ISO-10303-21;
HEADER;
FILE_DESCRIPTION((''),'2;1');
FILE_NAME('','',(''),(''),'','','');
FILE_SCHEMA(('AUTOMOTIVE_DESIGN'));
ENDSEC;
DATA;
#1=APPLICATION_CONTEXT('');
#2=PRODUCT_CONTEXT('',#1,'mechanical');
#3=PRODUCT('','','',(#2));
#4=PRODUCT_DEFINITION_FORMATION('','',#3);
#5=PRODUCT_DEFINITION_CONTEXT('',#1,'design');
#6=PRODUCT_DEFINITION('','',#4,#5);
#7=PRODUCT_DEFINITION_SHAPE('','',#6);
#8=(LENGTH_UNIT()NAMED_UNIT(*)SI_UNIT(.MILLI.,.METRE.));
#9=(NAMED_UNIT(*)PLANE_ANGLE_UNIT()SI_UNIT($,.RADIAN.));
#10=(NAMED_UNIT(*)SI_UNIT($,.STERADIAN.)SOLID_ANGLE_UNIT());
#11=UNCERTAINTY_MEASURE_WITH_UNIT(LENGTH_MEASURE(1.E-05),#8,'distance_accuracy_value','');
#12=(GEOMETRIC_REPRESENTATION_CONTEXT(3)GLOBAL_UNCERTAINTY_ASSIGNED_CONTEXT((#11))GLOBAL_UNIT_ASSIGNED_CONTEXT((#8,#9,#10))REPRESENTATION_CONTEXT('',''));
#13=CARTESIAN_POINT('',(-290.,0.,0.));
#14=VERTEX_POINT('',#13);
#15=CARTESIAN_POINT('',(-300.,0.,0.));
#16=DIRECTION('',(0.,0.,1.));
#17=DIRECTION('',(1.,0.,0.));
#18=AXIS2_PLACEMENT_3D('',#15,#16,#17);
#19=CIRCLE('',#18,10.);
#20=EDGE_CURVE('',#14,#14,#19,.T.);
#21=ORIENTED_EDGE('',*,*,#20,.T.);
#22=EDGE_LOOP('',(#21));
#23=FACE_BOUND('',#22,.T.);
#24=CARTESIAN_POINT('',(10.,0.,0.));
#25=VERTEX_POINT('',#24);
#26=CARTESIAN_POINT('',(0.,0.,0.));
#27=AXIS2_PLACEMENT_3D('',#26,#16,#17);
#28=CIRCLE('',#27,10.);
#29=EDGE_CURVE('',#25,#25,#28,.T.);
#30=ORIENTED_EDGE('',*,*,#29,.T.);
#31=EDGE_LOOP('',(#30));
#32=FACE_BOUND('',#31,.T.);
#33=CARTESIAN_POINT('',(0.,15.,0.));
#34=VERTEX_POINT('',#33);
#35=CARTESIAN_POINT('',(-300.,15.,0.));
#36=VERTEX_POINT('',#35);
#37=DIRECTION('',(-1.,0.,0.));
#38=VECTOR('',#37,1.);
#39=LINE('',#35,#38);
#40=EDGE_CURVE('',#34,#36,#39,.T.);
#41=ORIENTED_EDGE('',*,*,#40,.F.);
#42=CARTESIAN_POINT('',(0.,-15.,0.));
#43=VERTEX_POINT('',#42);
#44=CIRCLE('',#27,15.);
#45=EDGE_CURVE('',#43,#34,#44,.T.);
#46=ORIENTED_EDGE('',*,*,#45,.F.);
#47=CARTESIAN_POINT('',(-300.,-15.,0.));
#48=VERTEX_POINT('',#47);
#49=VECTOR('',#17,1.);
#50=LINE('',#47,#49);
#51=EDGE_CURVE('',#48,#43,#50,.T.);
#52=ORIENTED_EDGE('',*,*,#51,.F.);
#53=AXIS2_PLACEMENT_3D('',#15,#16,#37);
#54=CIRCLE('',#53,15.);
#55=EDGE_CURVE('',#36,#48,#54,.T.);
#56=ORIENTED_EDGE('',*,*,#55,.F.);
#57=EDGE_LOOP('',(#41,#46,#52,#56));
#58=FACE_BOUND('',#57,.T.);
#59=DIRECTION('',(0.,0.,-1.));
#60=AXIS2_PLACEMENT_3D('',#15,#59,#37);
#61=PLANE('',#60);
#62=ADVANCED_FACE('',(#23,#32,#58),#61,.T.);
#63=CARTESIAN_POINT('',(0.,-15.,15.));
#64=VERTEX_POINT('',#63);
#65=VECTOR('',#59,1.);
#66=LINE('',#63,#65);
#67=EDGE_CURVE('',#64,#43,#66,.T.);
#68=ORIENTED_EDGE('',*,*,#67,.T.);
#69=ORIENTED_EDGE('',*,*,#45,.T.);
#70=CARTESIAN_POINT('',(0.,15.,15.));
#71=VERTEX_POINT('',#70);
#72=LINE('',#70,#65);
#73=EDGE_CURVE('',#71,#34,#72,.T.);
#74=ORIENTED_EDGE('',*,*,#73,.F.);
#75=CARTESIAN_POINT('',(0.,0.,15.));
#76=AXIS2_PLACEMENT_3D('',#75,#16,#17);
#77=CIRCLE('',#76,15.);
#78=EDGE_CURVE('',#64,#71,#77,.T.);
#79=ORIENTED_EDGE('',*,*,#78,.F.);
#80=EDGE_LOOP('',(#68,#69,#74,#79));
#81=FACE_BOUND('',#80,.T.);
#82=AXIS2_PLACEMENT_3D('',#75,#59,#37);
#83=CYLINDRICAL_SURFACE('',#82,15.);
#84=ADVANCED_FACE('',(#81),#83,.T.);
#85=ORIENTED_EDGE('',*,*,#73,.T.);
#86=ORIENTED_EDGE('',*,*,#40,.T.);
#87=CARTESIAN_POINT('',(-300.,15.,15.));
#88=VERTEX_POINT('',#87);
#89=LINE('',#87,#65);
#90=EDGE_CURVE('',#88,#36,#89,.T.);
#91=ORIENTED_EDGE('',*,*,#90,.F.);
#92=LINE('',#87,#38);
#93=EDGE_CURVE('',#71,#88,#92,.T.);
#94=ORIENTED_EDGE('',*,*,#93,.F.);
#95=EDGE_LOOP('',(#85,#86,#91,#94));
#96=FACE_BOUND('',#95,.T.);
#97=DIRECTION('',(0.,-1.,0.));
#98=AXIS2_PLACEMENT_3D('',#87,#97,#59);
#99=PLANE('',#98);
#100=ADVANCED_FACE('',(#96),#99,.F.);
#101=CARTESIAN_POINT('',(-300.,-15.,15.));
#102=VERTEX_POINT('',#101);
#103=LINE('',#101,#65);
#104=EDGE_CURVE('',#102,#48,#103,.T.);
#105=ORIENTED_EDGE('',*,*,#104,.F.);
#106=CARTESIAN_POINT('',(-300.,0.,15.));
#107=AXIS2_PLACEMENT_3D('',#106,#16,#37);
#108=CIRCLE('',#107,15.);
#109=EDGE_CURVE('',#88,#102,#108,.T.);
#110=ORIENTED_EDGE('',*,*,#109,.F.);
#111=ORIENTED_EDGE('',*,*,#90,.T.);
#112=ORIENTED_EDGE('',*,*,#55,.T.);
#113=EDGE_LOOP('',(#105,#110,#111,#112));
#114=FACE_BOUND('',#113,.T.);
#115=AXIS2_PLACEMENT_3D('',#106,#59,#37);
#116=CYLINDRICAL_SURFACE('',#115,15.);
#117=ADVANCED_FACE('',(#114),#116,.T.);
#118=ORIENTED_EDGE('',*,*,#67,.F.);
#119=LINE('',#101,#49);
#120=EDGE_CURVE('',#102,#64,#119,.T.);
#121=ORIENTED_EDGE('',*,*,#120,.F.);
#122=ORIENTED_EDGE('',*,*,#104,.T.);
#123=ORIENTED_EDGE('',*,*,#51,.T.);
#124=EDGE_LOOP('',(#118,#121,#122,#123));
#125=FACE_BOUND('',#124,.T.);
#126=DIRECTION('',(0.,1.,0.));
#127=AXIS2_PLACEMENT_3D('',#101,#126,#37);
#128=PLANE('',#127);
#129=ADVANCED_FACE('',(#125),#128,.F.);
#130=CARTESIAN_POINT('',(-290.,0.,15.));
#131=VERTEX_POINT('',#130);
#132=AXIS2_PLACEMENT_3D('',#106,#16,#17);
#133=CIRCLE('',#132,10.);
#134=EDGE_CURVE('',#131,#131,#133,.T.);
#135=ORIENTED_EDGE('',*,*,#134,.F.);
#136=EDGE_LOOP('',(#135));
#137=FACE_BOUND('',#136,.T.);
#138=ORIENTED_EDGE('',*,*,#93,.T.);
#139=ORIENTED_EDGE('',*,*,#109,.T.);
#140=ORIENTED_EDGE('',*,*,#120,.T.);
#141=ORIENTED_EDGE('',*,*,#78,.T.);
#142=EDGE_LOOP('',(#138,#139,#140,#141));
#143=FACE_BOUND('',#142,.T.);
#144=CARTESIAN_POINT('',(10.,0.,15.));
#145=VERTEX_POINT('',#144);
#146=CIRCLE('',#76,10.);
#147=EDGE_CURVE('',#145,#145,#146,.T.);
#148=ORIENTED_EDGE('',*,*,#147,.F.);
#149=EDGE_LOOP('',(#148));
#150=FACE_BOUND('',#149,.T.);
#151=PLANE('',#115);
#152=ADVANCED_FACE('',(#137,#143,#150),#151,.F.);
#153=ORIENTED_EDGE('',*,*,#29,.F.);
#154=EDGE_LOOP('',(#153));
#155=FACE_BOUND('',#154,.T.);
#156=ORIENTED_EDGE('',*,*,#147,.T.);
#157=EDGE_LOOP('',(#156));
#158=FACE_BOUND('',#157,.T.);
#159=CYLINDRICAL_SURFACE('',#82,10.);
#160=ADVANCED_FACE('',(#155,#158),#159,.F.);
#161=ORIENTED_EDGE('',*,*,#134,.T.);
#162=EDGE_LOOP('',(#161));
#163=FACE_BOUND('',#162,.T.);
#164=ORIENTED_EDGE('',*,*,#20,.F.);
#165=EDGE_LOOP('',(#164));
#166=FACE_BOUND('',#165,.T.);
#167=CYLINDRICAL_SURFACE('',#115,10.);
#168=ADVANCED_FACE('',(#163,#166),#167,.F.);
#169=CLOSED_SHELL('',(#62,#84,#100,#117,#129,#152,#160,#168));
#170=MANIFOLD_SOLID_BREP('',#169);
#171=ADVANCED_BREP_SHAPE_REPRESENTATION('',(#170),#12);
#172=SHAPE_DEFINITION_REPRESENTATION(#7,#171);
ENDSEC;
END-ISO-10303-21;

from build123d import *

# Parameters (mm, degrees)
SKETCH1_R      = 10
EXTRUDE1_DEPTH = 15


with BuildPart() as part:
    # Sketch1 → Extrude1 (new body)
    with BuildSketch(Plane.XY):
        with BuildLine():
            Line((-300, 15), (0, 15))
            ThreePointArc((0, 15), (15, 0), (0, -15))
            Line((0, -15), (-300, -15))
            ThreePointArc((-300, -15), (-315, 0), (-300, 15))
        make_face()
        with Locations((-300, 0)):
            Circle(SKETCH1_R, mode=Mode.SUBTRACT)
        Circle(SKETCH1_R, mode=Mode.SUBTRACT)
    extrude(amount=EXTRUDE1_DEPTH)


solid = part.part
